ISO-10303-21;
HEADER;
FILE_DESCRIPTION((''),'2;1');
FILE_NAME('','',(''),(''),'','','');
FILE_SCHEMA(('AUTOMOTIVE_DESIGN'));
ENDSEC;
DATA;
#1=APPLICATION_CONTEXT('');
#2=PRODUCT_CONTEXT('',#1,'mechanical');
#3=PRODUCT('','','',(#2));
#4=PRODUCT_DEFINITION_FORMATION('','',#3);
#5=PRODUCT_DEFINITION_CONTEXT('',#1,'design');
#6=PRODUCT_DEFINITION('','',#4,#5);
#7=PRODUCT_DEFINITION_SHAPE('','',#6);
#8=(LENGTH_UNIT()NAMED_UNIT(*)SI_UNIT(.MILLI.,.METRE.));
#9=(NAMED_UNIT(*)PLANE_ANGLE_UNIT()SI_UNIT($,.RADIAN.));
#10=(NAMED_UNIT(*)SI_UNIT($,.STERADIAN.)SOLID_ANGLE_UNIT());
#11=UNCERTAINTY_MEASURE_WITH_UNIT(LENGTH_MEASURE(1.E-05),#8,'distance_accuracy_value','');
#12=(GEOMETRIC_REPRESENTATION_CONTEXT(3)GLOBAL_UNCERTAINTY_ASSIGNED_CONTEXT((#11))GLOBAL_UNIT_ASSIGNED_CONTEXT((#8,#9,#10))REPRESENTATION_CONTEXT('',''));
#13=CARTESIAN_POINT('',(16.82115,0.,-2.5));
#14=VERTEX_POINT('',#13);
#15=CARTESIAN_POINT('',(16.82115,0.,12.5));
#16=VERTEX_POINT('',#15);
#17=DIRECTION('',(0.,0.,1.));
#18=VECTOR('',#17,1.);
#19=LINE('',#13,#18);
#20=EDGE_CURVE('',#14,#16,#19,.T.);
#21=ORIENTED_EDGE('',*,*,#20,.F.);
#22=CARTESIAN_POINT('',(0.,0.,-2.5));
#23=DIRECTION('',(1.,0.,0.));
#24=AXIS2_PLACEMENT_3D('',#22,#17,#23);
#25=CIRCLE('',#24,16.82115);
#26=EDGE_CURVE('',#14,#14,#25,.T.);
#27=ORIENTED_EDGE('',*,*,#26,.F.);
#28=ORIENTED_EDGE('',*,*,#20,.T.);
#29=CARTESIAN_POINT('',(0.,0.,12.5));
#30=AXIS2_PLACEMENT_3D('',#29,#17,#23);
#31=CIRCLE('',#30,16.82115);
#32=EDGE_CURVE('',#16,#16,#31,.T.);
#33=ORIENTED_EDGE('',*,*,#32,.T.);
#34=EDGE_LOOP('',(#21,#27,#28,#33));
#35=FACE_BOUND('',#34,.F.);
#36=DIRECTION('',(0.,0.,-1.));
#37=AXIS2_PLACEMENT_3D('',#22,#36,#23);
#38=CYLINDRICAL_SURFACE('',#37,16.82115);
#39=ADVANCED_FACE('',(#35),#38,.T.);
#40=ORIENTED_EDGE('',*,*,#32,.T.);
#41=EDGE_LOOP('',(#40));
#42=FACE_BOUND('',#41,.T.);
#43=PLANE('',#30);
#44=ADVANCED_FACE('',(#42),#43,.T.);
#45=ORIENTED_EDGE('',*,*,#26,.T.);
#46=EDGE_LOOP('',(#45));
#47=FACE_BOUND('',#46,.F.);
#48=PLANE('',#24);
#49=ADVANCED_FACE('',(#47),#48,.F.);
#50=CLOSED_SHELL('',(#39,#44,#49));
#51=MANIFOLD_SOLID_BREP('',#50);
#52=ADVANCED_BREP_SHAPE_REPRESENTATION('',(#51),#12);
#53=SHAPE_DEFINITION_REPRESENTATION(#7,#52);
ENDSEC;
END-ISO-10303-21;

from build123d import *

# Parameters (mm, degrees)
CYLINDER_R     = 16.82115
CYLINDER_DEPTH = 15


with BuildPart() as part:
    # Cylinder → Cylinder (new body)
    with BuildSketch(Plane.XY.offset(-2.5)):
        Circle(CYLINDER_R)
    extrude(amount=CYLINDER_DEPTH)


solid = part.part
